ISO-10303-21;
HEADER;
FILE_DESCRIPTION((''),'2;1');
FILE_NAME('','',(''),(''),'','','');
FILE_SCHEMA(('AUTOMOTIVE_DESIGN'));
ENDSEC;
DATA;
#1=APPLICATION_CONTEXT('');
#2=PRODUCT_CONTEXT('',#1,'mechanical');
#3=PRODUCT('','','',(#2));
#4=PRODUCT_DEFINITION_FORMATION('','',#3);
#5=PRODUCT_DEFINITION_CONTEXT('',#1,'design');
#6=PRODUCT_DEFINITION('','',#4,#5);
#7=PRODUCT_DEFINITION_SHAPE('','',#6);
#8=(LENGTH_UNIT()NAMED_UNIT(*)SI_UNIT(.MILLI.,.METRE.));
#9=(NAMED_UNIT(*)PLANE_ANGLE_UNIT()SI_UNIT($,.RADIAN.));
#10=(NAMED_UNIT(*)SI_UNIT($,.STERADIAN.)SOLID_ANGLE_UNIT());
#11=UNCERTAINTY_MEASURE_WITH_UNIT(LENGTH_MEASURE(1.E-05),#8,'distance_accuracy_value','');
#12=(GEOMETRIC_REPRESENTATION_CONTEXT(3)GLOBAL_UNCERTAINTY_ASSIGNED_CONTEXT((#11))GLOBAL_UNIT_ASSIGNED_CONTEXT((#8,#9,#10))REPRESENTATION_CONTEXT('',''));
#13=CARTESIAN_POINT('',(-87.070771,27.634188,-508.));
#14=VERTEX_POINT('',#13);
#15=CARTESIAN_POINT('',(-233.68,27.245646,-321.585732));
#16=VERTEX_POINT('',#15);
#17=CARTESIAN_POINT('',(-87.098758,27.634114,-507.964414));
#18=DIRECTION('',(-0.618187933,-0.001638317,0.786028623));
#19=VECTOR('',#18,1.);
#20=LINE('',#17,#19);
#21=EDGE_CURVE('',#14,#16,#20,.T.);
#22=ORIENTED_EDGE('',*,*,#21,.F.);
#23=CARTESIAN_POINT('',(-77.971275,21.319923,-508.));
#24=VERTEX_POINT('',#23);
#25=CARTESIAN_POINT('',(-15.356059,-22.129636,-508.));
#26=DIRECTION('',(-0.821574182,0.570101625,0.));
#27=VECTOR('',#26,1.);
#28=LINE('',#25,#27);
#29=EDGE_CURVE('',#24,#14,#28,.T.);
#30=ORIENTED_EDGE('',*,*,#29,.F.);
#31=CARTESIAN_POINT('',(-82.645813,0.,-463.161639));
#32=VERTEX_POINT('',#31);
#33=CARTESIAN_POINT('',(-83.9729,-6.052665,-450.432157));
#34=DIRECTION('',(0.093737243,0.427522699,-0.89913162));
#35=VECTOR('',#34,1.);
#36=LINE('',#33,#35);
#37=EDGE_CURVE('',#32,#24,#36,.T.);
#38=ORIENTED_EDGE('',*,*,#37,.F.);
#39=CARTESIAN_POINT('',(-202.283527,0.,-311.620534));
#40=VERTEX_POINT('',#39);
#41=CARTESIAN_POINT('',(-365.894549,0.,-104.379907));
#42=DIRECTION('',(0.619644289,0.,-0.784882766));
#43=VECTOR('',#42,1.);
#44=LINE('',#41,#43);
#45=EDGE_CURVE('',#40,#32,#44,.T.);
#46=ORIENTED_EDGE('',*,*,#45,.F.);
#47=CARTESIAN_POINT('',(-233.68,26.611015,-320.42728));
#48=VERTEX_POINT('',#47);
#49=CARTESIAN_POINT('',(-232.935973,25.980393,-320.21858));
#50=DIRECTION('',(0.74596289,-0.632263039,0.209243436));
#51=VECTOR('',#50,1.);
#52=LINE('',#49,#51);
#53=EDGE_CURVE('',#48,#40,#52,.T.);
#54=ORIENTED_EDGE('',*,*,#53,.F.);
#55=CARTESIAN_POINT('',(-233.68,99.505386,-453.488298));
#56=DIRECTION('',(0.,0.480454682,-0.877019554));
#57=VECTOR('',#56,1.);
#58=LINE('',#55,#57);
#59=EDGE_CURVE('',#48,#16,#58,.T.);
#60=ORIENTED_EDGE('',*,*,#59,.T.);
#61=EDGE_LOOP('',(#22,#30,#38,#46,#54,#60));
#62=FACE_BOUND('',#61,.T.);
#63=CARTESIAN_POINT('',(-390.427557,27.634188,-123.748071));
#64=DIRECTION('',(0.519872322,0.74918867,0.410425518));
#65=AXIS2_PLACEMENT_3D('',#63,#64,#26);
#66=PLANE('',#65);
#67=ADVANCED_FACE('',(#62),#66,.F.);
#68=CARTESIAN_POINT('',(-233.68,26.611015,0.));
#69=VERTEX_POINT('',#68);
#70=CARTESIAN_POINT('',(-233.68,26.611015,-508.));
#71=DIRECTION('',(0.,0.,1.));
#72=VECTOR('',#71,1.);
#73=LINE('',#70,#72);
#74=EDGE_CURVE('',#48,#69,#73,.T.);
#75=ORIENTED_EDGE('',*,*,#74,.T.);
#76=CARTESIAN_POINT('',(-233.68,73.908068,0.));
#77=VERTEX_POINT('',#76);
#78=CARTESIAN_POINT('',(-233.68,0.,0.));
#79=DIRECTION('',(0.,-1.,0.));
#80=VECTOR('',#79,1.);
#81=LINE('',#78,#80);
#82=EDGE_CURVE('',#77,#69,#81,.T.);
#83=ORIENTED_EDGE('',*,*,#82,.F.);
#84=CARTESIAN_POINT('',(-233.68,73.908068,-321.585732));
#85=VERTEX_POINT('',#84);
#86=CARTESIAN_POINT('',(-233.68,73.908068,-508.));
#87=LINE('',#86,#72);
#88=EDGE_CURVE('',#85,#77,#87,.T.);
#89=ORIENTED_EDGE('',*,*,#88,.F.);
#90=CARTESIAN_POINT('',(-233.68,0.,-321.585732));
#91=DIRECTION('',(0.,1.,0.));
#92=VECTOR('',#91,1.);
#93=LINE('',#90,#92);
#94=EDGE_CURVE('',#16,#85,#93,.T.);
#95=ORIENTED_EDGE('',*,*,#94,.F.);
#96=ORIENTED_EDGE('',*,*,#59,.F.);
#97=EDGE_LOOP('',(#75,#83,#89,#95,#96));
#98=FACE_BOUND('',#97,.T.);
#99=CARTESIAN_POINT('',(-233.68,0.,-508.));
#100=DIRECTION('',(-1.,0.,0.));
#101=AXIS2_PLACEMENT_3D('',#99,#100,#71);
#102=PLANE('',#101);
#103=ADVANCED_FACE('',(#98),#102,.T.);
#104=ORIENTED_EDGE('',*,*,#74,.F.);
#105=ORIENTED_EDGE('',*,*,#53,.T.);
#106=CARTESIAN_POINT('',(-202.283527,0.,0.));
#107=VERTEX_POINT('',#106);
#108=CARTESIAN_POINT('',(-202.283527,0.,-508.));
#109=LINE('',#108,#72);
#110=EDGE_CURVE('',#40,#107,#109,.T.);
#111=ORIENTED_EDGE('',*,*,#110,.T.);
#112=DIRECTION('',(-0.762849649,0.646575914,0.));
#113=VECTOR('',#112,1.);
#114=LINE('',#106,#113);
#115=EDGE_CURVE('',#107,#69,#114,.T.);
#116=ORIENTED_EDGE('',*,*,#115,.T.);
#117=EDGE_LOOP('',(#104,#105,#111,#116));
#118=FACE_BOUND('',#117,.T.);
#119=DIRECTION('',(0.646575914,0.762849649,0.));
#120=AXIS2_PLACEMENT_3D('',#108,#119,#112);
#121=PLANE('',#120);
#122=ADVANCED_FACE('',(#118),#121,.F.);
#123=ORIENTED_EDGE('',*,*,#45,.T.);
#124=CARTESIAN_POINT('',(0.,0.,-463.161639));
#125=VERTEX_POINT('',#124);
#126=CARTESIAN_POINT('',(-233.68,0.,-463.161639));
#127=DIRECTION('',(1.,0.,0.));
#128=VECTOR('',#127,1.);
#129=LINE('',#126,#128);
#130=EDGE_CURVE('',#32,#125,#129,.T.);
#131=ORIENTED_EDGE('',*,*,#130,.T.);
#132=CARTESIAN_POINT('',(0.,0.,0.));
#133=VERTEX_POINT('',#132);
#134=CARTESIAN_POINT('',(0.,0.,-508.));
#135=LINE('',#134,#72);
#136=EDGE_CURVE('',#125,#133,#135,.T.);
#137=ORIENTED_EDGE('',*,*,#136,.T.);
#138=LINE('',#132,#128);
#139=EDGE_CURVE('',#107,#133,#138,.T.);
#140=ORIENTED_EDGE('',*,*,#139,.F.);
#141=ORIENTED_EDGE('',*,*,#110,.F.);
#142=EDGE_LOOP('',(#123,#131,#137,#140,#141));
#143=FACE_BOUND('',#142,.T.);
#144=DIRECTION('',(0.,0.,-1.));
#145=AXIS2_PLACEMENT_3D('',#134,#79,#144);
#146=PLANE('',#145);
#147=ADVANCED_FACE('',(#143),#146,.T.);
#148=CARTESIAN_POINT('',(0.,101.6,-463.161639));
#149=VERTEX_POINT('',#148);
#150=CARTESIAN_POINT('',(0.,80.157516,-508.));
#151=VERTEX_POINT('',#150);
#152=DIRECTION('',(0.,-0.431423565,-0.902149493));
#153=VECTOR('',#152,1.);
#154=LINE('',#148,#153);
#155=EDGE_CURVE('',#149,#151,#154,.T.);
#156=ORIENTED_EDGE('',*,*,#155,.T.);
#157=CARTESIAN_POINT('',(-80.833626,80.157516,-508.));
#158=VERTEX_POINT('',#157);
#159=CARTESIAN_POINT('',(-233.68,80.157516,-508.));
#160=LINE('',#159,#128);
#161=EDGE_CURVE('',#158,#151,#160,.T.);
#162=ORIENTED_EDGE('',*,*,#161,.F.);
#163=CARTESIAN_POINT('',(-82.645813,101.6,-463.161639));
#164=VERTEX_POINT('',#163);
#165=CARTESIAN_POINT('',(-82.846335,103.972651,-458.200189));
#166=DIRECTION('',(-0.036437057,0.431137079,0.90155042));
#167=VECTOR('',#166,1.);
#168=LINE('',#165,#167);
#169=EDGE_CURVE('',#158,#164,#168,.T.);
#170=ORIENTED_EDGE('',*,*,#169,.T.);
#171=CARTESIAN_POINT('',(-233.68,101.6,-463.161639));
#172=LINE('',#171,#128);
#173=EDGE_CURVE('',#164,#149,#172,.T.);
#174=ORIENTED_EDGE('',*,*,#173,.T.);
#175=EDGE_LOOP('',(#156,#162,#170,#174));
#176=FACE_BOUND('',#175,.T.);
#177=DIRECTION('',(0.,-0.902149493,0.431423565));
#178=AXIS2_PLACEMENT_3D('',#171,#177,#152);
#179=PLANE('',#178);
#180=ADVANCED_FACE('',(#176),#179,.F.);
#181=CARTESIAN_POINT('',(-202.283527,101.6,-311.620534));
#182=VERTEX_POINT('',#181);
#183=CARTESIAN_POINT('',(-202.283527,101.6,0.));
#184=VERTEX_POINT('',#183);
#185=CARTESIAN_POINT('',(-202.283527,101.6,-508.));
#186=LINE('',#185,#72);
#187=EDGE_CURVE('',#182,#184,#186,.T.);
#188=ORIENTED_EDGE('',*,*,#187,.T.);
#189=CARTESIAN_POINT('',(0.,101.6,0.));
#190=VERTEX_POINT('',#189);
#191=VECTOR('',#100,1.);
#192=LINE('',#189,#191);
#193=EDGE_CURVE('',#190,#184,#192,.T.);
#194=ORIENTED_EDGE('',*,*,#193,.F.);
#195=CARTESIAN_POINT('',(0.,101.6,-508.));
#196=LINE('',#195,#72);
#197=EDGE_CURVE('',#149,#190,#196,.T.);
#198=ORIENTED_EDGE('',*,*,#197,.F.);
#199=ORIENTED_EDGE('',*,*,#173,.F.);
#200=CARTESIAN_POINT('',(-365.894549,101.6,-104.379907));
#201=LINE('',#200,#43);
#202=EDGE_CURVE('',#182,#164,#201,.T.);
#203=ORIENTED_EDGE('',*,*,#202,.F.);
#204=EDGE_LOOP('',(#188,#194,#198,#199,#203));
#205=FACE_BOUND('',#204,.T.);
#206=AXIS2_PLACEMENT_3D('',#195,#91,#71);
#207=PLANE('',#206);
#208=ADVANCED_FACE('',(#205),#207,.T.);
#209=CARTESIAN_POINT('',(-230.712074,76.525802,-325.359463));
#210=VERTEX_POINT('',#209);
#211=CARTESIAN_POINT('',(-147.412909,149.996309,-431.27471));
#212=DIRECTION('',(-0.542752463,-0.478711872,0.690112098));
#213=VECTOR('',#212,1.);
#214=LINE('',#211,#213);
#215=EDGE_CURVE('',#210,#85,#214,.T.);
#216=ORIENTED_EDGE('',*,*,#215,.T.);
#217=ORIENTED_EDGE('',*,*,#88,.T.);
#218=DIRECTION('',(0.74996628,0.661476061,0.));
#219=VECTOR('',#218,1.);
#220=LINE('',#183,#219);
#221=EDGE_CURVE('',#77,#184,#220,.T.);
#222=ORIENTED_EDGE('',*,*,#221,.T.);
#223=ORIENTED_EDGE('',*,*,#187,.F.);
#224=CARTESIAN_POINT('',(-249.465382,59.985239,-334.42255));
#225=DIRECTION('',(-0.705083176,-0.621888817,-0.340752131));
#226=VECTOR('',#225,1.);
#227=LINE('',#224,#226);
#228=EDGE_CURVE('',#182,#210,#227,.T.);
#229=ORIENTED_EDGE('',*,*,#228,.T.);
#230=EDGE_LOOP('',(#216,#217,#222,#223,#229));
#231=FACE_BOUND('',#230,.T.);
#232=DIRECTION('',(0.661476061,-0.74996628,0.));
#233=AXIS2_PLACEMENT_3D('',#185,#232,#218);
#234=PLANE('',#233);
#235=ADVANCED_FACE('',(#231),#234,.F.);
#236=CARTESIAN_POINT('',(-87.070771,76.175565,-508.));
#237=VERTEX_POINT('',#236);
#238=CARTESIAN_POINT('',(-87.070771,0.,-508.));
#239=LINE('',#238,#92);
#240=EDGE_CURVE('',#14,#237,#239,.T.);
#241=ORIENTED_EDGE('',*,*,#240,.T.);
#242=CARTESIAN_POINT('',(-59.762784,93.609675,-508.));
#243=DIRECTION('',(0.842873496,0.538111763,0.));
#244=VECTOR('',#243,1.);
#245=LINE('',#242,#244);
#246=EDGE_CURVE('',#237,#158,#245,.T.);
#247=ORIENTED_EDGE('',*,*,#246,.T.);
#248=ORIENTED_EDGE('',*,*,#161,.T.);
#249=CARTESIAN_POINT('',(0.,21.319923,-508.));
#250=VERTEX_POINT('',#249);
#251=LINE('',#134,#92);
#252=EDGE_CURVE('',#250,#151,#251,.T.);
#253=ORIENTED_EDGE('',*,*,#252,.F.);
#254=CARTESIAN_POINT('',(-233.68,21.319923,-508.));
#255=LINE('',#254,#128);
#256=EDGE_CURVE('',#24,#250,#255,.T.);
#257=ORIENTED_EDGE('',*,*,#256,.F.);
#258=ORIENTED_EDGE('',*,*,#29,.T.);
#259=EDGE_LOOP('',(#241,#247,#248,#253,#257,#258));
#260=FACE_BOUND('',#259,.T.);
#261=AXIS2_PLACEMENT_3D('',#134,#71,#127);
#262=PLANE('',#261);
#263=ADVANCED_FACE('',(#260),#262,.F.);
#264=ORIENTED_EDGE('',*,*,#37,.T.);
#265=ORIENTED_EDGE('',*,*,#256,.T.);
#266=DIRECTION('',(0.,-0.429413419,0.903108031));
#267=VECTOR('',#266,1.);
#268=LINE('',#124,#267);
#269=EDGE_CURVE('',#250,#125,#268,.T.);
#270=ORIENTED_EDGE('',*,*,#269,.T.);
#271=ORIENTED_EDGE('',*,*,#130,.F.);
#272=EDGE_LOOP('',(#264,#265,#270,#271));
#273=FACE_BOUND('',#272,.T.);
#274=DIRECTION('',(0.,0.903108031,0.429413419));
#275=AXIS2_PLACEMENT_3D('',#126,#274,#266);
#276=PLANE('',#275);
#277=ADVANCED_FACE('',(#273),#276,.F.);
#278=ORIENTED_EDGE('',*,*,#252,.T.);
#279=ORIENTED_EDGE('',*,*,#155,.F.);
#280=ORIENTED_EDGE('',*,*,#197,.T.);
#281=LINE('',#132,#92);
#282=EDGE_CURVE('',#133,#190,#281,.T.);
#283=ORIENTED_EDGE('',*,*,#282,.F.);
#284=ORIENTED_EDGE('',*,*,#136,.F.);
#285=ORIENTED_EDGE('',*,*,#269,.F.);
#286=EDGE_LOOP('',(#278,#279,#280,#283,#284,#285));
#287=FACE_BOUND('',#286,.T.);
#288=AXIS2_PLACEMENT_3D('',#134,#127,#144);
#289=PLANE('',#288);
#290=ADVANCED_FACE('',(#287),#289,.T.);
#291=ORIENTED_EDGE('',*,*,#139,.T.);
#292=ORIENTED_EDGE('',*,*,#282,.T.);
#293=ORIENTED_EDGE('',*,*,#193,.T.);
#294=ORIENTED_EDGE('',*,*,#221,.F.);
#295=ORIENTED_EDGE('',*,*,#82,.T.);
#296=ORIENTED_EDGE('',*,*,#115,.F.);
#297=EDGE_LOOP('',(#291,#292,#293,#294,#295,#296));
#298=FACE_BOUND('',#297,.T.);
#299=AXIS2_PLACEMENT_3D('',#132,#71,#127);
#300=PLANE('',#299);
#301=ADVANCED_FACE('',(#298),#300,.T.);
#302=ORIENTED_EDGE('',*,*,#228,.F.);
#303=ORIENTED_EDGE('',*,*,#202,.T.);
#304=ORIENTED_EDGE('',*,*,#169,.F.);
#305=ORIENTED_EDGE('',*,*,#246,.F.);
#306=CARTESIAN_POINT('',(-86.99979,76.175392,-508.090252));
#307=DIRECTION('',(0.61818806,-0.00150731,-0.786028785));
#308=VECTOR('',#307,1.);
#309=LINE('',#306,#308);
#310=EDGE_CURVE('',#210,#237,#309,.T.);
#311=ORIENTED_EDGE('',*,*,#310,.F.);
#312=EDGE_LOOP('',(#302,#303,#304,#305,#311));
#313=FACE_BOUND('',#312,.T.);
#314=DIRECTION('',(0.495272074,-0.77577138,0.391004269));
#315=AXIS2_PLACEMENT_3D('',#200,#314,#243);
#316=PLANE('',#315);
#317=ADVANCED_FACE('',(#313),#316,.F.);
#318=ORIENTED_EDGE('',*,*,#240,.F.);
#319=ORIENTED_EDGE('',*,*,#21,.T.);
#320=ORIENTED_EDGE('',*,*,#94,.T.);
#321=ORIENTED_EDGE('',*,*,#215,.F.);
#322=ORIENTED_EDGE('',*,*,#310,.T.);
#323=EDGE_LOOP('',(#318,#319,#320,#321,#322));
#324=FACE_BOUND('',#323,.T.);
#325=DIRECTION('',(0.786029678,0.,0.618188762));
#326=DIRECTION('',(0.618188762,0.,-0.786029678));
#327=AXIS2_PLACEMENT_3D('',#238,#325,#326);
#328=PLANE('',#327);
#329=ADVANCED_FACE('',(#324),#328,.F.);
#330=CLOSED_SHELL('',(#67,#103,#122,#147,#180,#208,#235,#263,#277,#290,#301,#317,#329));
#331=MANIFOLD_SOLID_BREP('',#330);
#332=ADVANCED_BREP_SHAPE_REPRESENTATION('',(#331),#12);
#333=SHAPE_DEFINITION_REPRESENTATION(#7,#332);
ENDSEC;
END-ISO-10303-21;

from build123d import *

# Parameters (mm, degrees)
SKETCH1_W           = 233.68
SKETCH1_H           = 101.6
BOSS_EXTRUDE1_DEPTH = 508
CUT_EXTRUDE1_DEPTH  = 569.324645251
CUT_EXTRUDE2_DEPTH  = 569.324645251
CUT_EXTRUDE3_DEPTH  = 569.324645251
CUT_EXTRUDE4_DEPTH  = 538.880617648


with BuildPart() as part:
    # Sketch1 → Boss-Extrude1 (new body)
    with BuildSketch(Plane.XY):
        with Locations((-116.84, 50.8)):
            Rectangle(SKETCH1_W, SKETCH1_H)
    extrude(amount=-BOSS_EXTRUDE1_DEPTH)

    # Sketch2 → Cut-Extrude1 (cut, through all)
    with BuildSketch(Plane.XY):
        Polygon((-202.283526953, 101.6), (-233.68, 73.908067848), (-233.68, 101.6), align=None)
        Polygon((-202.283526953, 0), (-233.68, 26.611014762), (-233.68, 0), align=None)
    extrude(amount=-CUT_EXTRUDE1_DEPTH, mode=Mode.SUBTRACT)

    # Sketch3 → Cut-Extrude2 (cut, through all)
    with BuildSketch(Plane(origin=(0, 101.6, 0), x_dir=(1, 0, 0), z_dir=(0, 1, 0))):
        Polygon((-87.070770682, 508), (-233.68, 321.585732495), (-233.68, 508), align=None)
    extrude(amount=-CUT_EXTRUDE2_DEPTH, mode=Mode.SUBTRACT)

    # Sketch4 → Cut-Extrude3 (cut, through all)
    with BuildSketch(Plane(origin=(0, 0, 0), x_dir=(0, 0, -1), z_dir=(1, 0, 0))):
        Polygon((463.161638797, 101.6), (508, 80.157516446), (508, 101.6), align=None)
        Polygon((463.161638797, 0), (508, 21.319923331), (508, 0), align=None)
    extrude(amount=-CUT_EXTRUDE3_DEPTH, mode=Mode.SUBTRACT)

    # Sketch5 → Cut-Extrude4 (cut, through all)
    with BuildSketch(Plane(origin=(217.205760792, 0, -275.127297003), x_dir=(-0.7848827655334263, 1.8564028129682992e-15, -0.6196442885790207), z_dir=(0.6196442885790207, 2.3514435630931796e-15, -0.7848827655334263))):
        Polygon((351.862738174, 101.6), (383.119645888, 76.175565291), (383.013937726, 101.6), align=None)
        Polygon((383.119645888, 27.634188335), (351.862738174, 0), (383.013937726, 0), align=None)
    extrude(amount=-CUT_EXTRUDE4_DEPTH, mode=Mode.SUBTRACT)


with BuildPart() as cut_extrude4_kept_piece:
    # of the separate pieces the step leaves, the one the design keeps (cut_extrude4_pieces_kept)
    add(part.part.solids().sort_by_distance((0, 0, 0))[0])


solid = cut_extrude4_kept_piece.part
